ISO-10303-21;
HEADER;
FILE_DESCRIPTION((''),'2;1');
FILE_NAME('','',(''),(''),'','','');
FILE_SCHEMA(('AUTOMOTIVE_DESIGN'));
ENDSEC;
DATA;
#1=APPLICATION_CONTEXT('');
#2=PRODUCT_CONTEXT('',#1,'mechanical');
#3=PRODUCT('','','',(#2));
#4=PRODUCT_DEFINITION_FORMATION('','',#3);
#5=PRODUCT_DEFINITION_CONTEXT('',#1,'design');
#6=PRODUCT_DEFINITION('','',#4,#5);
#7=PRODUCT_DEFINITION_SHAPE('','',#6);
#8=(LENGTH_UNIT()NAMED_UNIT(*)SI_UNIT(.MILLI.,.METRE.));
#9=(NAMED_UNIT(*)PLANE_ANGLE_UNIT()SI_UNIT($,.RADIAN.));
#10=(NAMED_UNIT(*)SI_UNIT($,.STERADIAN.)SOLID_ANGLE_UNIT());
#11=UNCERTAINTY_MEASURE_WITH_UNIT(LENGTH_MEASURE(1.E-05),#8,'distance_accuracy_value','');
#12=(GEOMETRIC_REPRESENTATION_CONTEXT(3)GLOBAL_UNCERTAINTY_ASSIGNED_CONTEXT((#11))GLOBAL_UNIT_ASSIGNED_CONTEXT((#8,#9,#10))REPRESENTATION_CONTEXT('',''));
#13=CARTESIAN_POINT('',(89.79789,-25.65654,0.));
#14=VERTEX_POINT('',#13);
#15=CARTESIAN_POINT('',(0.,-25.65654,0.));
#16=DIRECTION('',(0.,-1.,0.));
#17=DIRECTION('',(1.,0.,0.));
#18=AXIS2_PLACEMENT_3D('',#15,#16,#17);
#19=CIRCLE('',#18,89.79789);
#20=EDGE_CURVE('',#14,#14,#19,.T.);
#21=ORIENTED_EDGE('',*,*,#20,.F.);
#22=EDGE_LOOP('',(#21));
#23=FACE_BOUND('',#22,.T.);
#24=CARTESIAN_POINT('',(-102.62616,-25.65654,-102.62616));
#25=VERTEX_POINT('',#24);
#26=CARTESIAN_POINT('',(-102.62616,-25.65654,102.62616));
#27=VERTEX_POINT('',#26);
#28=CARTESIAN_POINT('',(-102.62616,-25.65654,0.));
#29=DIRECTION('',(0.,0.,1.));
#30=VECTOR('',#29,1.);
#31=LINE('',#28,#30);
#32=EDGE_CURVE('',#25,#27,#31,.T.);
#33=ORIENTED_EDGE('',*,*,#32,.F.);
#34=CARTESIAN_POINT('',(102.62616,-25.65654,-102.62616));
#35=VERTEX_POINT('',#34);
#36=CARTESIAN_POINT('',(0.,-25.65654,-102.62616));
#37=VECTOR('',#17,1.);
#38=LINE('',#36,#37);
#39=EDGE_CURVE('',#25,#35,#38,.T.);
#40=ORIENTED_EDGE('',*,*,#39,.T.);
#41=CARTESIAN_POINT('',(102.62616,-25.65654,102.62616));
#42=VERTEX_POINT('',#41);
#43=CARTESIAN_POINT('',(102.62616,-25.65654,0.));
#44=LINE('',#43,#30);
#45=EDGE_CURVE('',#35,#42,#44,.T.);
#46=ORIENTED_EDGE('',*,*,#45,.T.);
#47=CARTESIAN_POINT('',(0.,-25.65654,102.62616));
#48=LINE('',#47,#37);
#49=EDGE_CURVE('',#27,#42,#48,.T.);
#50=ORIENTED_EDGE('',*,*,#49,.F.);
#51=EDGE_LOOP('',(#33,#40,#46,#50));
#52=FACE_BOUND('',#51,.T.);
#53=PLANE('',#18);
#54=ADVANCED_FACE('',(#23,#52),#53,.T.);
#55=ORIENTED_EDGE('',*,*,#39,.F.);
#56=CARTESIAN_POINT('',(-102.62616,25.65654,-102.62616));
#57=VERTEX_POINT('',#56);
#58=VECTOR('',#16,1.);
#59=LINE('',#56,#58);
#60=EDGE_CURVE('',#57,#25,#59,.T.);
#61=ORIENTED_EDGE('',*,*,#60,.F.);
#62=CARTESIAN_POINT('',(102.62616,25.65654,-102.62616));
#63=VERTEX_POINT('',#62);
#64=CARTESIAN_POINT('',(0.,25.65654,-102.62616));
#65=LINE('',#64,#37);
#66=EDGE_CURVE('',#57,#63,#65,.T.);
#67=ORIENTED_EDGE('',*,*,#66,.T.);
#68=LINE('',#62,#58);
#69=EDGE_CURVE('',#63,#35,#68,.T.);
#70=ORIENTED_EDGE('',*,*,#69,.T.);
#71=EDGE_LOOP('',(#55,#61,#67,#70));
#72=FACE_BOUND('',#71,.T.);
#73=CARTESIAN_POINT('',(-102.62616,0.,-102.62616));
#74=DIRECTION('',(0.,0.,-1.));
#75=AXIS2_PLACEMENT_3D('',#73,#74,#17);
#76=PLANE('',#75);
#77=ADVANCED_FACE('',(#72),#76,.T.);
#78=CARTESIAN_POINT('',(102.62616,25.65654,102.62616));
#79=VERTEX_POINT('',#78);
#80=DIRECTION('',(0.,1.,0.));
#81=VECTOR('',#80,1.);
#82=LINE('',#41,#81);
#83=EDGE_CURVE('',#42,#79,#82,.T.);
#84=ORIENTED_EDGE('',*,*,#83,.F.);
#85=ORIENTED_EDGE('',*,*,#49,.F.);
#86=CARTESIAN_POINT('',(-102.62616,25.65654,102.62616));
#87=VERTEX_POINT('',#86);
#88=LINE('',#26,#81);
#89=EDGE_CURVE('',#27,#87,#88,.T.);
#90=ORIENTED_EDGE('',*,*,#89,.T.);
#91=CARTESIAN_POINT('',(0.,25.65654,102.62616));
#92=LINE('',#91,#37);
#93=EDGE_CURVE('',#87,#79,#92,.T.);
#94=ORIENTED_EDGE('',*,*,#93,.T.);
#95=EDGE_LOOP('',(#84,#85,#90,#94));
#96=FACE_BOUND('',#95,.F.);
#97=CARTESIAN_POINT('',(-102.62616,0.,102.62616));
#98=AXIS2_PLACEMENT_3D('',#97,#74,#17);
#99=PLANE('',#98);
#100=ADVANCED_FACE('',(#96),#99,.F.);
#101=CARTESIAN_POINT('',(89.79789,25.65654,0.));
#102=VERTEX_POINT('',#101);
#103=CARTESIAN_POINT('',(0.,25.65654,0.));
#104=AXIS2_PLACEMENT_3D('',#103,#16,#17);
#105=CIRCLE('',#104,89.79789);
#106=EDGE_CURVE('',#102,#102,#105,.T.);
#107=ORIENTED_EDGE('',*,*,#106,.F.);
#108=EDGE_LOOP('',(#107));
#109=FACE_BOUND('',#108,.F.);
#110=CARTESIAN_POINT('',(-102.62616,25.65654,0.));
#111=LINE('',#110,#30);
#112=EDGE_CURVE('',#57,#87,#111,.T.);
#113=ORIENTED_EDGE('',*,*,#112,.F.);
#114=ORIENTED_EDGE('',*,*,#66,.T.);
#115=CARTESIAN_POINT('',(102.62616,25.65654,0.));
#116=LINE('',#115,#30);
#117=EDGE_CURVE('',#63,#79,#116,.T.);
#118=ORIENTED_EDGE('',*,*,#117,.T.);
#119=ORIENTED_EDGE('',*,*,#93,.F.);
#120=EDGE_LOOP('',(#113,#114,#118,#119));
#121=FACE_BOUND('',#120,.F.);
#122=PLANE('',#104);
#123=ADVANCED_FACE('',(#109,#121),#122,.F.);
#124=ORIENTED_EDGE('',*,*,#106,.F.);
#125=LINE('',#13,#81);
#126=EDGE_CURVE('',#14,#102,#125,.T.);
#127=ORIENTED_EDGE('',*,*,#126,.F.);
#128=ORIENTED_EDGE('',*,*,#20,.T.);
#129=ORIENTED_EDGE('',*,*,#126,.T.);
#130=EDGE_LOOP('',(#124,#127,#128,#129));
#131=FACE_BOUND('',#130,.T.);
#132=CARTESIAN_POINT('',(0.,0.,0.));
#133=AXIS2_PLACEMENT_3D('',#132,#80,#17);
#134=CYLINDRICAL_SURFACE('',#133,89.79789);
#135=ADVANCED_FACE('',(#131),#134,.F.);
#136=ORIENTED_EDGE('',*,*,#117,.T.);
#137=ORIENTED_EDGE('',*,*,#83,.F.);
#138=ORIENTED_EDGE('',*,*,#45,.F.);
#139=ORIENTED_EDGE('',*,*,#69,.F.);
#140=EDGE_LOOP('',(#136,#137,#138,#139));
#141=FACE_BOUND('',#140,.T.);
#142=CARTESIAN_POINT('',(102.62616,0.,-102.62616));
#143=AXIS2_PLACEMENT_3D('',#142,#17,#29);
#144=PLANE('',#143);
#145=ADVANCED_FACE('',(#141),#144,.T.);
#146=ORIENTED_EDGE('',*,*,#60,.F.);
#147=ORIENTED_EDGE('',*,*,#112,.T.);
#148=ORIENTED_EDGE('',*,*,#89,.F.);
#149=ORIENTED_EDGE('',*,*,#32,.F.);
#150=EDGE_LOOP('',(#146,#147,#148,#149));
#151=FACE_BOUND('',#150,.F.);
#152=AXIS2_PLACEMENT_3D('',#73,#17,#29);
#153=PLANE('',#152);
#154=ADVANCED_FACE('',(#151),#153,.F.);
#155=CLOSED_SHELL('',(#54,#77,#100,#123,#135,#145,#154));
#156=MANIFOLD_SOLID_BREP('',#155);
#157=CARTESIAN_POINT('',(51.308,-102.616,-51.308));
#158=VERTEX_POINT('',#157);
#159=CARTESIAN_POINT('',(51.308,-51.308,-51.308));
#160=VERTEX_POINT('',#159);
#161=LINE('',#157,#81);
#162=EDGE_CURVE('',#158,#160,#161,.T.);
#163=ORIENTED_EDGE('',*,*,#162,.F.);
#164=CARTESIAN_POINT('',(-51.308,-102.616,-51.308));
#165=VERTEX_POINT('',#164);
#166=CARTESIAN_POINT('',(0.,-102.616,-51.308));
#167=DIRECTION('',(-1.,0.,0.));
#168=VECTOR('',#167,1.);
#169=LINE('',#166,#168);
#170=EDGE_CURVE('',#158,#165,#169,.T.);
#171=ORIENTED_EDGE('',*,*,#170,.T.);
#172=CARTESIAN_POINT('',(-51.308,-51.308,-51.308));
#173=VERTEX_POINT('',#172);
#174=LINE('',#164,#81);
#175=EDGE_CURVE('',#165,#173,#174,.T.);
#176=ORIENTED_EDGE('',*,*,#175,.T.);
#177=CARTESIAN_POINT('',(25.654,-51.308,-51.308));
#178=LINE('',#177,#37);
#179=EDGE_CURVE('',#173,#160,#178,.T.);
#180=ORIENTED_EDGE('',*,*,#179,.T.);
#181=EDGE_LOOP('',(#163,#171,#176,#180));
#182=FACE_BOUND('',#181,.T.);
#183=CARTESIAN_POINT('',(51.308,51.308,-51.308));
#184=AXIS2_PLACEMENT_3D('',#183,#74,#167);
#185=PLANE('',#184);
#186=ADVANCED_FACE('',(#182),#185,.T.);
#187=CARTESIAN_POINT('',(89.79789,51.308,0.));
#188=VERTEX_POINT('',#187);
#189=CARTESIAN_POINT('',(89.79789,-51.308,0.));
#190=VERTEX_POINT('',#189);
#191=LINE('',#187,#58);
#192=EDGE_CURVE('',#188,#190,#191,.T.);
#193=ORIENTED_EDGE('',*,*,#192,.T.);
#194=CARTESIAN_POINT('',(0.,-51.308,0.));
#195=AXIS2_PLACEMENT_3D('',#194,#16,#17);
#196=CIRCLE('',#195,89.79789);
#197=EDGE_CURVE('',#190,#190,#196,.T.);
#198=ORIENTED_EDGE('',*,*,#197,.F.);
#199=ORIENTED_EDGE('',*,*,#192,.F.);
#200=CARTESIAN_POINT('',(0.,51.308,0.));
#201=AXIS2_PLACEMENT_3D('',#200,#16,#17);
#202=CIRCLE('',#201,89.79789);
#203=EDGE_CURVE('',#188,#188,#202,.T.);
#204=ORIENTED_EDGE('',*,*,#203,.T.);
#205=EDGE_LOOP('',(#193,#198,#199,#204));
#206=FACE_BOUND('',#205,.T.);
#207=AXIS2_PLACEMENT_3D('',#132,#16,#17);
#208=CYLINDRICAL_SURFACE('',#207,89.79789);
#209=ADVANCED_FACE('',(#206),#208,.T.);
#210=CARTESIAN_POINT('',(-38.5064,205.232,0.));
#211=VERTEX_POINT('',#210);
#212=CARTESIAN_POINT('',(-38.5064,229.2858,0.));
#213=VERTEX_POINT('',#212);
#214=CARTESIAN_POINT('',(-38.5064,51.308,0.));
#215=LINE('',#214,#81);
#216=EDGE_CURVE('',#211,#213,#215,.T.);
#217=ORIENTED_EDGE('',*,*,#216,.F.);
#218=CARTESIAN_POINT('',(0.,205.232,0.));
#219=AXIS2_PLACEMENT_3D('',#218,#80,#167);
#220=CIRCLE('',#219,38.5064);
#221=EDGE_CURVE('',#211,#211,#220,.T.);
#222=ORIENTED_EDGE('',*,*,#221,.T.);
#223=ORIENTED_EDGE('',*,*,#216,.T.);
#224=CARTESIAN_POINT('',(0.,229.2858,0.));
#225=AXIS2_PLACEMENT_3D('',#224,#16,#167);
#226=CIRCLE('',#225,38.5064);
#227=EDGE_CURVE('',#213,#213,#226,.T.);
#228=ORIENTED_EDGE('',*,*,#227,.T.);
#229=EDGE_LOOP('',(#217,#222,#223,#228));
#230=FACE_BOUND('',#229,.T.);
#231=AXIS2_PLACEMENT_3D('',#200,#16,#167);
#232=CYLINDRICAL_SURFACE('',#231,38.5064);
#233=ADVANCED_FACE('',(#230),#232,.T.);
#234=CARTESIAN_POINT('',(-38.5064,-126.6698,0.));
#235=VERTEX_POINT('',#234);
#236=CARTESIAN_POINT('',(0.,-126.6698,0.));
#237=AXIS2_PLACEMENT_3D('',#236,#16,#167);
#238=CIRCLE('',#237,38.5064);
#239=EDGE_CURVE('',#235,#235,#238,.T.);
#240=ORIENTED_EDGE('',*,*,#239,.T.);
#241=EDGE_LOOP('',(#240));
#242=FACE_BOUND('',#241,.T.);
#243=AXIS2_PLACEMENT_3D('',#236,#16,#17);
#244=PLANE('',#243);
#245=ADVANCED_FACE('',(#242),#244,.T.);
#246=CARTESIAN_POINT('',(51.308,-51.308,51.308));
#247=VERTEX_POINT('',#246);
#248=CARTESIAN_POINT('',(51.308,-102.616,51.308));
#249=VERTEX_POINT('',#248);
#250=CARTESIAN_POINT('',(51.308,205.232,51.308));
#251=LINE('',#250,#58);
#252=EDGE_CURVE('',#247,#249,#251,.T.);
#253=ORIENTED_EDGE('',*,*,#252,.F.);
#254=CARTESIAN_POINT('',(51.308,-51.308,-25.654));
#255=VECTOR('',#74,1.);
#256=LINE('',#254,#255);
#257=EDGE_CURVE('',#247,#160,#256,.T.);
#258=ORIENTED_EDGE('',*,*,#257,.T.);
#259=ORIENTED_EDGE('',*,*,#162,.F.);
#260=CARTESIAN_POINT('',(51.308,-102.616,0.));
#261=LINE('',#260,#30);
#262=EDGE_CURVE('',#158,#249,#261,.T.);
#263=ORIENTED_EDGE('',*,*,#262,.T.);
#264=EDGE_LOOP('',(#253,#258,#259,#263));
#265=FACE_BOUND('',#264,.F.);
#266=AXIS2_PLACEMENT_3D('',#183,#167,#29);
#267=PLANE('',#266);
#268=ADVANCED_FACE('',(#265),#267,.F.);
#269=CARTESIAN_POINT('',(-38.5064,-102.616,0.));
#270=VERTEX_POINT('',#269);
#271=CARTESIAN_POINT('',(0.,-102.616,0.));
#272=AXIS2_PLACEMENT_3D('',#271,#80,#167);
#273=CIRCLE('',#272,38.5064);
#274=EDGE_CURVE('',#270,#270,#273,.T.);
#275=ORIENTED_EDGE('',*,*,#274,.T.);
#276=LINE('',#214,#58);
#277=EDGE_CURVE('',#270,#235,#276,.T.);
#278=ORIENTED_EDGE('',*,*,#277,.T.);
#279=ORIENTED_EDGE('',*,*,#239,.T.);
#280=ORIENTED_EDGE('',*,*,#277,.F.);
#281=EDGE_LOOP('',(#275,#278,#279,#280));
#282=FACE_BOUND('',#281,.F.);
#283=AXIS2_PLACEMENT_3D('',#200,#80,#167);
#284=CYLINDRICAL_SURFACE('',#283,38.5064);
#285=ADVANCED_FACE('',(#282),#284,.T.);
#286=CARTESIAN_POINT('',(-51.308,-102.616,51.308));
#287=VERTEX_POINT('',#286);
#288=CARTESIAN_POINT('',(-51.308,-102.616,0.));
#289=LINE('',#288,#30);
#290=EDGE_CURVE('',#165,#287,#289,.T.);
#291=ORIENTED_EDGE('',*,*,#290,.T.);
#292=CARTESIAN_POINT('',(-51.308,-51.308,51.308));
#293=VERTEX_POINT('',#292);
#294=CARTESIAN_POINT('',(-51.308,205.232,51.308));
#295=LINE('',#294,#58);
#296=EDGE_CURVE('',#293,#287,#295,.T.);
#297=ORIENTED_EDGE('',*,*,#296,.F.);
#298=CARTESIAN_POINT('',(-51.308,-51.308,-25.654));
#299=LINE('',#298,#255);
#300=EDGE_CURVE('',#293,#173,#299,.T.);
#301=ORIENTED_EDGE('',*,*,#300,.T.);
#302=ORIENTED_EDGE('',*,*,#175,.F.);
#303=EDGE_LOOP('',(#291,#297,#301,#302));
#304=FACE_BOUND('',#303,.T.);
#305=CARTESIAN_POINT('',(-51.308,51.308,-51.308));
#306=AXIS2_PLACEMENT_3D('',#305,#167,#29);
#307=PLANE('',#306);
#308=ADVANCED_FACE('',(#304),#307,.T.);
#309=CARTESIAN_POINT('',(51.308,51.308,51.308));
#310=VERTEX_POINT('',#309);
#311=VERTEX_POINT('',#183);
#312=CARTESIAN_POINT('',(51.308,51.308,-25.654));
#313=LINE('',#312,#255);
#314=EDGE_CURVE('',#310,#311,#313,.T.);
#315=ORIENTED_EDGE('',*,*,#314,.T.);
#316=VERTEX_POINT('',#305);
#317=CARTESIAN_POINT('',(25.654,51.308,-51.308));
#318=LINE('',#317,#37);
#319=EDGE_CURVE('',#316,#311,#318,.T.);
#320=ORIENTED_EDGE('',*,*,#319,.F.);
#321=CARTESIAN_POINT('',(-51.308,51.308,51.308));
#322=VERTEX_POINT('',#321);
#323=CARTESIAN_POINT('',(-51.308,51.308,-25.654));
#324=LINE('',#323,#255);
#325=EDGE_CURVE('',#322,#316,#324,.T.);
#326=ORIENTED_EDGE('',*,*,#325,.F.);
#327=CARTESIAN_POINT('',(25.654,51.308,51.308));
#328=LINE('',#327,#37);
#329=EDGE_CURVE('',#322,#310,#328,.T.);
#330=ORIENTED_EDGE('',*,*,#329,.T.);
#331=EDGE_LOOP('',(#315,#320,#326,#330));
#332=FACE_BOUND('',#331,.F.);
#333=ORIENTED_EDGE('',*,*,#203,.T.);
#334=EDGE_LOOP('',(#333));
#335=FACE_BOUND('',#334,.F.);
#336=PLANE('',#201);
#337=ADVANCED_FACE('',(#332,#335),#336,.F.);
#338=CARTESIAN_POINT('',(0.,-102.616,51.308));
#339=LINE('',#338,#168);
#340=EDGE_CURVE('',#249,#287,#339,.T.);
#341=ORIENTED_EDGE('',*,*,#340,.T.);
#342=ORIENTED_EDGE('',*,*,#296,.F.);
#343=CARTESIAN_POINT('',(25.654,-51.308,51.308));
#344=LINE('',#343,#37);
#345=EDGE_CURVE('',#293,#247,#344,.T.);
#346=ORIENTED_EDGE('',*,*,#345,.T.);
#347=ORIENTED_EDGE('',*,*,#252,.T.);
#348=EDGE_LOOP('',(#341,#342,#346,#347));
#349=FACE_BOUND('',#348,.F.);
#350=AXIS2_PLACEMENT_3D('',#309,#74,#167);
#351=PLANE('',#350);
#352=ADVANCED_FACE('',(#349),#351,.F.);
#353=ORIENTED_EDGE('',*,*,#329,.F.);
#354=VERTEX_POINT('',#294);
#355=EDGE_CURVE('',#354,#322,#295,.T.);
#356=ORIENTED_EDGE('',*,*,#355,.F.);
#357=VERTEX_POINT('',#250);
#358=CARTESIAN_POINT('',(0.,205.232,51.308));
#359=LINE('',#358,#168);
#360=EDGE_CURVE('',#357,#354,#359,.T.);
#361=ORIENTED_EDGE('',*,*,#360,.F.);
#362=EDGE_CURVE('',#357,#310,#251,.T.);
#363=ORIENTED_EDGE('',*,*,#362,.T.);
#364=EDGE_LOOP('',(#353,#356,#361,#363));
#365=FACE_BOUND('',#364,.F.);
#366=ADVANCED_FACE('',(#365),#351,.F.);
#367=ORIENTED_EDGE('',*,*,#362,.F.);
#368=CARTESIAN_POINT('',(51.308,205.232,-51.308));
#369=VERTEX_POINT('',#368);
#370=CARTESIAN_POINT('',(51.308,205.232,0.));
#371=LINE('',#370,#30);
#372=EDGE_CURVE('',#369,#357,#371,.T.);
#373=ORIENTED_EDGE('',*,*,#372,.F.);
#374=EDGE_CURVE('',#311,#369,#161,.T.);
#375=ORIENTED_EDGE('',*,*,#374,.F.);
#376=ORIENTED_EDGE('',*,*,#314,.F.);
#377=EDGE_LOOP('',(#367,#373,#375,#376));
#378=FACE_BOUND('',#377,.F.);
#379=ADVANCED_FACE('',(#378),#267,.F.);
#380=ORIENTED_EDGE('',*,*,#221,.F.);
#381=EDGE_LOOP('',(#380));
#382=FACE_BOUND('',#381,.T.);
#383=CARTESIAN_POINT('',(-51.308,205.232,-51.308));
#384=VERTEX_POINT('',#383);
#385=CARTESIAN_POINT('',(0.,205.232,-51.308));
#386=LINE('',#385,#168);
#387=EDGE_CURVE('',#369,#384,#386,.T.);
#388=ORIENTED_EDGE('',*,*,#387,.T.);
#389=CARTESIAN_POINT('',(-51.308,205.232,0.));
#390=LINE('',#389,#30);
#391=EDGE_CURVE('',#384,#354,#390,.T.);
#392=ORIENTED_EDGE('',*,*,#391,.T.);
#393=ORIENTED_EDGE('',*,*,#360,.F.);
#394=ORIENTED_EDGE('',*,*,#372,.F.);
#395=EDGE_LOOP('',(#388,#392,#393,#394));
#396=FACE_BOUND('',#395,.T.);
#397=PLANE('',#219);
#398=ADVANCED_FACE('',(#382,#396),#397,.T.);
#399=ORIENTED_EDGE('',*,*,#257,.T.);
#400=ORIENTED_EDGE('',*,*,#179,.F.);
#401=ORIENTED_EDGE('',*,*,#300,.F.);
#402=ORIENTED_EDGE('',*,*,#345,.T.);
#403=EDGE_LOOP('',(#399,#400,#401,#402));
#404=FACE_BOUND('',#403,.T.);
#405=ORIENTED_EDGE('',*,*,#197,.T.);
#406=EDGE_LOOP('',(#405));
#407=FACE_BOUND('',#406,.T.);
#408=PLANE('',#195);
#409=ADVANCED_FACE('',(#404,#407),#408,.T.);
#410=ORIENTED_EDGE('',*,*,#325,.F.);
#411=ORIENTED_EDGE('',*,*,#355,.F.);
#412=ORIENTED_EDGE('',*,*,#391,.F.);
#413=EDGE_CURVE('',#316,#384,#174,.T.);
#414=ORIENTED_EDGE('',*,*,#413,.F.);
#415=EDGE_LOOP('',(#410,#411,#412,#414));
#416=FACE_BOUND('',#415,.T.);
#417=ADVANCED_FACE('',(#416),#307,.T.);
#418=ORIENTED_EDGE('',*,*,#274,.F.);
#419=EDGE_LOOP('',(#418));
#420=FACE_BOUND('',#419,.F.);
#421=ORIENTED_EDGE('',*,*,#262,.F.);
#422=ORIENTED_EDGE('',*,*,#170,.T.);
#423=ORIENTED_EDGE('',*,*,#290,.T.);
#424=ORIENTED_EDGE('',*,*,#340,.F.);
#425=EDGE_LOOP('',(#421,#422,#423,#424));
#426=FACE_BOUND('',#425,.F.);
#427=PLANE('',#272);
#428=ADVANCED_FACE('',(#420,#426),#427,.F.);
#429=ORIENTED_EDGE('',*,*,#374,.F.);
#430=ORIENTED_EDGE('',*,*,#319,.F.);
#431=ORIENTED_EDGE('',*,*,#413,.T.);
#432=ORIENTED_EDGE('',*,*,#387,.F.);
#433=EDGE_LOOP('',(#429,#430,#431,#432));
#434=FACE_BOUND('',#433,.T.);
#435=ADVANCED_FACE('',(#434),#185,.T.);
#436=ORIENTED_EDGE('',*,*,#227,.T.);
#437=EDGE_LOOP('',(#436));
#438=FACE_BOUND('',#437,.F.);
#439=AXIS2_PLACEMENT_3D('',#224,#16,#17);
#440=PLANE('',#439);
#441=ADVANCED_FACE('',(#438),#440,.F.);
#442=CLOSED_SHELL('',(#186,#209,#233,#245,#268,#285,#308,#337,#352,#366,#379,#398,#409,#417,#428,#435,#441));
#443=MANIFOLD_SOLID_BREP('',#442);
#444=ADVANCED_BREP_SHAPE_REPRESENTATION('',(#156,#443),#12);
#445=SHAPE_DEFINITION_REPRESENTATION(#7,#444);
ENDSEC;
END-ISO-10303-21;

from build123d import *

# Parameters (mm, degrees)
F0_W     = 205.25232
F0_H     = 205.25232
F0_R     = 89.79789
F1_DEPTH = 25.65654
F2_DEPTH = 51.308
F3_W     = 102.616
F3_H     = 102.616
F3_R     = 38.5064
F4_DEPTH = 153.924
F5_DEPTH = 177.9778


with BuildPart() as f1:
    # F0 (on Front) → F1 (new body, symmetric)
    with BuildSketch(Plane.XZ):
        Rectangle(F0_W, F0_H)
        Circle(F0_R, mode=Mode.SUBTRACT)
    extrude(amount=F1_DEPTH, both=True)


with BuildPart() as f2:
    # F0 (on Front) → F2 (new body, symmetric)
    with BuildSketch(Plane.XZ):
        Circle(F0_R)
    extrude(amount=F2_DEPTH, both=True)

    # F3 (on face) → F4 (join, symmetric)
    with BuildSketch(Plane(origin=(0, 51.308, 0), x_dir=(-1, 0, 0), z_dir=(0, 1, 0))):
        Rectangle(F3_W, F3_H)
        Circle(F3_R, mode=Mode.SUBTRACT)
    extrude(amount=F4_DEPTH, both=True)

    # F5 (add, symmetric): a face of the model
    f5_faces = [f2.faces().sort_by_distance(p)[0] for p in [
        (0, 51.308, 0),
    ]]
    extrude(f5_faces, amount=F5_DEPTH, both=True)


solid = Compound([f1.part, f2.part])
